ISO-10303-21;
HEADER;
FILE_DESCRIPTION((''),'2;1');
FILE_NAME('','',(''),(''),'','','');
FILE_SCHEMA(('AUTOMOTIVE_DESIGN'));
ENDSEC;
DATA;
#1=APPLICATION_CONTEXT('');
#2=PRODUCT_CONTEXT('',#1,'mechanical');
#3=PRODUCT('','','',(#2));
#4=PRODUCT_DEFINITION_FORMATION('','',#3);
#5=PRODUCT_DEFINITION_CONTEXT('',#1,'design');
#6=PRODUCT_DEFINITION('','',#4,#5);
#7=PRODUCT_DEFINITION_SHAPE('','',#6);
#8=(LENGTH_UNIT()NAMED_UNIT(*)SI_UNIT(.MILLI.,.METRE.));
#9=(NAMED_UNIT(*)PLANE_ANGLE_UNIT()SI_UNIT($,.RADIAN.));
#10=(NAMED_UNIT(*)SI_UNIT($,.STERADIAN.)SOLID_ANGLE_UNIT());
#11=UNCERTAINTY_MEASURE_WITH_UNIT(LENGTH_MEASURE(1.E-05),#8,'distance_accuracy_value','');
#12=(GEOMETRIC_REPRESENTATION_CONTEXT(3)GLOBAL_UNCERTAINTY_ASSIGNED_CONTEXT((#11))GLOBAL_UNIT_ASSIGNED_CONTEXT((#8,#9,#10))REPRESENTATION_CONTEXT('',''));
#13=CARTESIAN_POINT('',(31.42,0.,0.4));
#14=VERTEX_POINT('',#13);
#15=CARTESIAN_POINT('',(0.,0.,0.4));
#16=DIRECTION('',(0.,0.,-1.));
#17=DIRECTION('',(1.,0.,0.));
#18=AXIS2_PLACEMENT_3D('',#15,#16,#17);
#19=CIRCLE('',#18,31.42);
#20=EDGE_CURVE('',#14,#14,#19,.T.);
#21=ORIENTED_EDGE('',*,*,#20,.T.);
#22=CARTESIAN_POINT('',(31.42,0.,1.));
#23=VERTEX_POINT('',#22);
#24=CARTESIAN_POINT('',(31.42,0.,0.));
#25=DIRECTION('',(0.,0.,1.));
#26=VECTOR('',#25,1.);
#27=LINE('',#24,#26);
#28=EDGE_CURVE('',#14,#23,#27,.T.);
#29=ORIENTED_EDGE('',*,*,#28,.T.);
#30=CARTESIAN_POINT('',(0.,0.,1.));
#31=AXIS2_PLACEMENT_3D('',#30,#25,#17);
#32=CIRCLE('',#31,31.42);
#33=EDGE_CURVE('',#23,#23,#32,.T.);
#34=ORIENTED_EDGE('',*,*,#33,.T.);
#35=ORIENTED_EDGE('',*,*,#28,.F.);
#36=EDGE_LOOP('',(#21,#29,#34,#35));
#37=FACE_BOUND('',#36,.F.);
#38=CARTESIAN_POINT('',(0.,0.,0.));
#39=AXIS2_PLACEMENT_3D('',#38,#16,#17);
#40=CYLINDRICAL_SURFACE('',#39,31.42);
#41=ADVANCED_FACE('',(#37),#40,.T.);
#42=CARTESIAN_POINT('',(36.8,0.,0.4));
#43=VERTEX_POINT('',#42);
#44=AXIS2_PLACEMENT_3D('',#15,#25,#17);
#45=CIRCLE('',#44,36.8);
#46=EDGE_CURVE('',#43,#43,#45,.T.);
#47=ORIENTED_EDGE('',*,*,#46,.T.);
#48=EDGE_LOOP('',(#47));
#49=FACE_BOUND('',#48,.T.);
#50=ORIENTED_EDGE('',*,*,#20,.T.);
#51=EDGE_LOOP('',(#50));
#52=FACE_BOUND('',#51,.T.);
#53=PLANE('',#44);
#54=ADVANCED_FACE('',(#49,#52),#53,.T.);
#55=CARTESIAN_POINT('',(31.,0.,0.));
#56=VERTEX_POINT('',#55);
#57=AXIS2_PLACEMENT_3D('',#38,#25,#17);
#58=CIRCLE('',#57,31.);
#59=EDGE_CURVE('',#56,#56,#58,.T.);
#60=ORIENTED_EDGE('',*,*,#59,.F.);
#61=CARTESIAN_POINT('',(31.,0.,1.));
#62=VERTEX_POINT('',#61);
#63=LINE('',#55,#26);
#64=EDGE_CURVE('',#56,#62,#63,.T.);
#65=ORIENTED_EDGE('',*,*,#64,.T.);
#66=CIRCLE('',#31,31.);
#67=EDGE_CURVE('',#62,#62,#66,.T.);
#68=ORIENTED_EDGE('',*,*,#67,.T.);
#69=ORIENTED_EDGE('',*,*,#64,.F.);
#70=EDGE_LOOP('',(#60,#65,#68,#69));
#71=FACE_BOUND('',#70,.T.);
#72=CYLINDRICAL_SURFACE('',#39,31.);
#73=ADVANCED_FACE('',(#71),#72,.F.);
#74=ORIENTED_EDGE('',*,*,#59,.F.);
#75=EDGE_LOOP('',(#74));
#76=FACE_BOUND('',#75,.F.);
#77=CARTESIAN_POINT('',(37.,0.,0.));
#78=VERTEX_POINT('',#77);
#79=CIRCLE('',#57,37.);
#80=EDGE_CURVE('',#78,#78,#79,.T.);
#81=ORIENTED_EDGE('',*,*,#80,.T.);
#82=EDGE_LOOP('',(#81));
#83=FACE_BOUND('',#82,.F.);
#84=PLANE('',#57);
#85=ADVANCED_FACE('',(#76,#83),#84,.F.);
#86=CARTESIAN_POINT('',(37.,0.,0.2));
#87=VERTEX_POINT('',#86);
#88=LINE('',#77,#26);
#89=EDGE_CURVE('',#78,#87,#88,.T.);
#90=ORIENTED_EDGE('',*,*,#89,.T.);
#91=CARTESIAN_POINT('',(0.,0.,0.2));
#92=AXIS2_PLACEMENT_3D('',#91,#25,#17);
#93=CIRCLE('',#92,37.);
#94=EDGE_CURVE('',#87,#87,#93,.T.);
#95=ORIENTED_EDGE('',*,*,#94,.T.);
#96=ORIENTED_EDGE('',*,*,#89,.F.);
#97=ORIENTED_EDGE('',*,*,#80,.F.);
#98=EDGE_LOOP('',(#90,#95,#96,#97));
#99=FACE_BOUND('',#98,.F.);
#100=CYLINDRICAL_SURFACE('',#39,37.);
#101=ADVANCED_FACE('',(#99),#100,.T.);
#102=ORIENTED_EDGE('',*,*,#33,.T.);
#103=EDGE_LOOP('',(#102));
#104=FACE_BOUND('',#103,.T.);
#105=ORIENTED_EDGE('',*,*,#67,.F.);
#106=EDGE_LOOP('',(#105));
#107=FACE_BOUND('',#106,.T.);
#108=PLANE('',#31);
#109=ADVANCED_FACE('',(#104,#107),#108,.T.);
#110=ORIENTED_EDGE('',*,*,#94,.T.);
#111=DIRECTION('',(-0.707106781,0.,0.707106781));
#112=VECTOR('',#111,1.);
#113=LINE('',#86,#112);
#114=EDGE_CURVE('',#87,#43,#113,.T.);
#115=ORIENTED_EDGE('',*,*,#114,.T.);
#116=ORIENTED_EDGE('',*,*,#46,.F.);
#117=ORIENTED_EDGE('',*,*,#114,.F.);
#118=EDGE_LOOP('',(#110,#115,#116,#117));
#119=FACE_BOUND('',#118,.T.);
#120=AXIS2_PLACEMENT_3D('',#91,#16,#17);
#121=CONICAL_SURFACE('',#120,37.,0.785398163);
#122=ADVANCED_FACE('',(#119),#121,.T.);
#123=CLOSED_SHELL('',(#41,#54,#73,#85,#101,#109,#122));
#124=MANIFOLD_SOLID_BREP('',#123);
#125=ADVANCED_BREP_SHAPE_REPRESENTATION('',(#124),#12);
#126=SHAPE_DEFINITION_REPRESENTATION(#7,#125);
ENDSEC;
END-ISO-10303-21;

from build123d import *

# Parameters (mm, degrees)
F0_R     = 37
F0_R_2   = 31.42
F0_R_3   = 31
F1_DEPTH = 0.4
F2_DEPTH = 1
F3_SIZE  = 0.2


with BuildPart() as f1:
    # F0 (on Top) → F1 (new body)
    with BuildSketch(Plane.XY):
        Circle(F0_R)
        Circle(F0_R_2, mode=Mode.SUBTRACT)
        Circle(F0_R_2)
        Circle(F0_R_3, mode=Mode.SUBTRACT)
    extrude(amount=F1_DEPTH)

    # F0 (on Top) → F2 (join)
    with BuildSketch(Plane.XY):
        Circle(F0_R_2)
        Circle(F0_R_3, mode=Mode.SUBTRACT)
    extrude(amount=F2_DEPTH)

    # F3
    f3_edges = [f1.edges().sort_by_distance(p)[0] for p in [
        (-37, 0, 0.4),
    ]]
    chamfer(f3_edges, length=F3_SIZE)


solid = f1.part
